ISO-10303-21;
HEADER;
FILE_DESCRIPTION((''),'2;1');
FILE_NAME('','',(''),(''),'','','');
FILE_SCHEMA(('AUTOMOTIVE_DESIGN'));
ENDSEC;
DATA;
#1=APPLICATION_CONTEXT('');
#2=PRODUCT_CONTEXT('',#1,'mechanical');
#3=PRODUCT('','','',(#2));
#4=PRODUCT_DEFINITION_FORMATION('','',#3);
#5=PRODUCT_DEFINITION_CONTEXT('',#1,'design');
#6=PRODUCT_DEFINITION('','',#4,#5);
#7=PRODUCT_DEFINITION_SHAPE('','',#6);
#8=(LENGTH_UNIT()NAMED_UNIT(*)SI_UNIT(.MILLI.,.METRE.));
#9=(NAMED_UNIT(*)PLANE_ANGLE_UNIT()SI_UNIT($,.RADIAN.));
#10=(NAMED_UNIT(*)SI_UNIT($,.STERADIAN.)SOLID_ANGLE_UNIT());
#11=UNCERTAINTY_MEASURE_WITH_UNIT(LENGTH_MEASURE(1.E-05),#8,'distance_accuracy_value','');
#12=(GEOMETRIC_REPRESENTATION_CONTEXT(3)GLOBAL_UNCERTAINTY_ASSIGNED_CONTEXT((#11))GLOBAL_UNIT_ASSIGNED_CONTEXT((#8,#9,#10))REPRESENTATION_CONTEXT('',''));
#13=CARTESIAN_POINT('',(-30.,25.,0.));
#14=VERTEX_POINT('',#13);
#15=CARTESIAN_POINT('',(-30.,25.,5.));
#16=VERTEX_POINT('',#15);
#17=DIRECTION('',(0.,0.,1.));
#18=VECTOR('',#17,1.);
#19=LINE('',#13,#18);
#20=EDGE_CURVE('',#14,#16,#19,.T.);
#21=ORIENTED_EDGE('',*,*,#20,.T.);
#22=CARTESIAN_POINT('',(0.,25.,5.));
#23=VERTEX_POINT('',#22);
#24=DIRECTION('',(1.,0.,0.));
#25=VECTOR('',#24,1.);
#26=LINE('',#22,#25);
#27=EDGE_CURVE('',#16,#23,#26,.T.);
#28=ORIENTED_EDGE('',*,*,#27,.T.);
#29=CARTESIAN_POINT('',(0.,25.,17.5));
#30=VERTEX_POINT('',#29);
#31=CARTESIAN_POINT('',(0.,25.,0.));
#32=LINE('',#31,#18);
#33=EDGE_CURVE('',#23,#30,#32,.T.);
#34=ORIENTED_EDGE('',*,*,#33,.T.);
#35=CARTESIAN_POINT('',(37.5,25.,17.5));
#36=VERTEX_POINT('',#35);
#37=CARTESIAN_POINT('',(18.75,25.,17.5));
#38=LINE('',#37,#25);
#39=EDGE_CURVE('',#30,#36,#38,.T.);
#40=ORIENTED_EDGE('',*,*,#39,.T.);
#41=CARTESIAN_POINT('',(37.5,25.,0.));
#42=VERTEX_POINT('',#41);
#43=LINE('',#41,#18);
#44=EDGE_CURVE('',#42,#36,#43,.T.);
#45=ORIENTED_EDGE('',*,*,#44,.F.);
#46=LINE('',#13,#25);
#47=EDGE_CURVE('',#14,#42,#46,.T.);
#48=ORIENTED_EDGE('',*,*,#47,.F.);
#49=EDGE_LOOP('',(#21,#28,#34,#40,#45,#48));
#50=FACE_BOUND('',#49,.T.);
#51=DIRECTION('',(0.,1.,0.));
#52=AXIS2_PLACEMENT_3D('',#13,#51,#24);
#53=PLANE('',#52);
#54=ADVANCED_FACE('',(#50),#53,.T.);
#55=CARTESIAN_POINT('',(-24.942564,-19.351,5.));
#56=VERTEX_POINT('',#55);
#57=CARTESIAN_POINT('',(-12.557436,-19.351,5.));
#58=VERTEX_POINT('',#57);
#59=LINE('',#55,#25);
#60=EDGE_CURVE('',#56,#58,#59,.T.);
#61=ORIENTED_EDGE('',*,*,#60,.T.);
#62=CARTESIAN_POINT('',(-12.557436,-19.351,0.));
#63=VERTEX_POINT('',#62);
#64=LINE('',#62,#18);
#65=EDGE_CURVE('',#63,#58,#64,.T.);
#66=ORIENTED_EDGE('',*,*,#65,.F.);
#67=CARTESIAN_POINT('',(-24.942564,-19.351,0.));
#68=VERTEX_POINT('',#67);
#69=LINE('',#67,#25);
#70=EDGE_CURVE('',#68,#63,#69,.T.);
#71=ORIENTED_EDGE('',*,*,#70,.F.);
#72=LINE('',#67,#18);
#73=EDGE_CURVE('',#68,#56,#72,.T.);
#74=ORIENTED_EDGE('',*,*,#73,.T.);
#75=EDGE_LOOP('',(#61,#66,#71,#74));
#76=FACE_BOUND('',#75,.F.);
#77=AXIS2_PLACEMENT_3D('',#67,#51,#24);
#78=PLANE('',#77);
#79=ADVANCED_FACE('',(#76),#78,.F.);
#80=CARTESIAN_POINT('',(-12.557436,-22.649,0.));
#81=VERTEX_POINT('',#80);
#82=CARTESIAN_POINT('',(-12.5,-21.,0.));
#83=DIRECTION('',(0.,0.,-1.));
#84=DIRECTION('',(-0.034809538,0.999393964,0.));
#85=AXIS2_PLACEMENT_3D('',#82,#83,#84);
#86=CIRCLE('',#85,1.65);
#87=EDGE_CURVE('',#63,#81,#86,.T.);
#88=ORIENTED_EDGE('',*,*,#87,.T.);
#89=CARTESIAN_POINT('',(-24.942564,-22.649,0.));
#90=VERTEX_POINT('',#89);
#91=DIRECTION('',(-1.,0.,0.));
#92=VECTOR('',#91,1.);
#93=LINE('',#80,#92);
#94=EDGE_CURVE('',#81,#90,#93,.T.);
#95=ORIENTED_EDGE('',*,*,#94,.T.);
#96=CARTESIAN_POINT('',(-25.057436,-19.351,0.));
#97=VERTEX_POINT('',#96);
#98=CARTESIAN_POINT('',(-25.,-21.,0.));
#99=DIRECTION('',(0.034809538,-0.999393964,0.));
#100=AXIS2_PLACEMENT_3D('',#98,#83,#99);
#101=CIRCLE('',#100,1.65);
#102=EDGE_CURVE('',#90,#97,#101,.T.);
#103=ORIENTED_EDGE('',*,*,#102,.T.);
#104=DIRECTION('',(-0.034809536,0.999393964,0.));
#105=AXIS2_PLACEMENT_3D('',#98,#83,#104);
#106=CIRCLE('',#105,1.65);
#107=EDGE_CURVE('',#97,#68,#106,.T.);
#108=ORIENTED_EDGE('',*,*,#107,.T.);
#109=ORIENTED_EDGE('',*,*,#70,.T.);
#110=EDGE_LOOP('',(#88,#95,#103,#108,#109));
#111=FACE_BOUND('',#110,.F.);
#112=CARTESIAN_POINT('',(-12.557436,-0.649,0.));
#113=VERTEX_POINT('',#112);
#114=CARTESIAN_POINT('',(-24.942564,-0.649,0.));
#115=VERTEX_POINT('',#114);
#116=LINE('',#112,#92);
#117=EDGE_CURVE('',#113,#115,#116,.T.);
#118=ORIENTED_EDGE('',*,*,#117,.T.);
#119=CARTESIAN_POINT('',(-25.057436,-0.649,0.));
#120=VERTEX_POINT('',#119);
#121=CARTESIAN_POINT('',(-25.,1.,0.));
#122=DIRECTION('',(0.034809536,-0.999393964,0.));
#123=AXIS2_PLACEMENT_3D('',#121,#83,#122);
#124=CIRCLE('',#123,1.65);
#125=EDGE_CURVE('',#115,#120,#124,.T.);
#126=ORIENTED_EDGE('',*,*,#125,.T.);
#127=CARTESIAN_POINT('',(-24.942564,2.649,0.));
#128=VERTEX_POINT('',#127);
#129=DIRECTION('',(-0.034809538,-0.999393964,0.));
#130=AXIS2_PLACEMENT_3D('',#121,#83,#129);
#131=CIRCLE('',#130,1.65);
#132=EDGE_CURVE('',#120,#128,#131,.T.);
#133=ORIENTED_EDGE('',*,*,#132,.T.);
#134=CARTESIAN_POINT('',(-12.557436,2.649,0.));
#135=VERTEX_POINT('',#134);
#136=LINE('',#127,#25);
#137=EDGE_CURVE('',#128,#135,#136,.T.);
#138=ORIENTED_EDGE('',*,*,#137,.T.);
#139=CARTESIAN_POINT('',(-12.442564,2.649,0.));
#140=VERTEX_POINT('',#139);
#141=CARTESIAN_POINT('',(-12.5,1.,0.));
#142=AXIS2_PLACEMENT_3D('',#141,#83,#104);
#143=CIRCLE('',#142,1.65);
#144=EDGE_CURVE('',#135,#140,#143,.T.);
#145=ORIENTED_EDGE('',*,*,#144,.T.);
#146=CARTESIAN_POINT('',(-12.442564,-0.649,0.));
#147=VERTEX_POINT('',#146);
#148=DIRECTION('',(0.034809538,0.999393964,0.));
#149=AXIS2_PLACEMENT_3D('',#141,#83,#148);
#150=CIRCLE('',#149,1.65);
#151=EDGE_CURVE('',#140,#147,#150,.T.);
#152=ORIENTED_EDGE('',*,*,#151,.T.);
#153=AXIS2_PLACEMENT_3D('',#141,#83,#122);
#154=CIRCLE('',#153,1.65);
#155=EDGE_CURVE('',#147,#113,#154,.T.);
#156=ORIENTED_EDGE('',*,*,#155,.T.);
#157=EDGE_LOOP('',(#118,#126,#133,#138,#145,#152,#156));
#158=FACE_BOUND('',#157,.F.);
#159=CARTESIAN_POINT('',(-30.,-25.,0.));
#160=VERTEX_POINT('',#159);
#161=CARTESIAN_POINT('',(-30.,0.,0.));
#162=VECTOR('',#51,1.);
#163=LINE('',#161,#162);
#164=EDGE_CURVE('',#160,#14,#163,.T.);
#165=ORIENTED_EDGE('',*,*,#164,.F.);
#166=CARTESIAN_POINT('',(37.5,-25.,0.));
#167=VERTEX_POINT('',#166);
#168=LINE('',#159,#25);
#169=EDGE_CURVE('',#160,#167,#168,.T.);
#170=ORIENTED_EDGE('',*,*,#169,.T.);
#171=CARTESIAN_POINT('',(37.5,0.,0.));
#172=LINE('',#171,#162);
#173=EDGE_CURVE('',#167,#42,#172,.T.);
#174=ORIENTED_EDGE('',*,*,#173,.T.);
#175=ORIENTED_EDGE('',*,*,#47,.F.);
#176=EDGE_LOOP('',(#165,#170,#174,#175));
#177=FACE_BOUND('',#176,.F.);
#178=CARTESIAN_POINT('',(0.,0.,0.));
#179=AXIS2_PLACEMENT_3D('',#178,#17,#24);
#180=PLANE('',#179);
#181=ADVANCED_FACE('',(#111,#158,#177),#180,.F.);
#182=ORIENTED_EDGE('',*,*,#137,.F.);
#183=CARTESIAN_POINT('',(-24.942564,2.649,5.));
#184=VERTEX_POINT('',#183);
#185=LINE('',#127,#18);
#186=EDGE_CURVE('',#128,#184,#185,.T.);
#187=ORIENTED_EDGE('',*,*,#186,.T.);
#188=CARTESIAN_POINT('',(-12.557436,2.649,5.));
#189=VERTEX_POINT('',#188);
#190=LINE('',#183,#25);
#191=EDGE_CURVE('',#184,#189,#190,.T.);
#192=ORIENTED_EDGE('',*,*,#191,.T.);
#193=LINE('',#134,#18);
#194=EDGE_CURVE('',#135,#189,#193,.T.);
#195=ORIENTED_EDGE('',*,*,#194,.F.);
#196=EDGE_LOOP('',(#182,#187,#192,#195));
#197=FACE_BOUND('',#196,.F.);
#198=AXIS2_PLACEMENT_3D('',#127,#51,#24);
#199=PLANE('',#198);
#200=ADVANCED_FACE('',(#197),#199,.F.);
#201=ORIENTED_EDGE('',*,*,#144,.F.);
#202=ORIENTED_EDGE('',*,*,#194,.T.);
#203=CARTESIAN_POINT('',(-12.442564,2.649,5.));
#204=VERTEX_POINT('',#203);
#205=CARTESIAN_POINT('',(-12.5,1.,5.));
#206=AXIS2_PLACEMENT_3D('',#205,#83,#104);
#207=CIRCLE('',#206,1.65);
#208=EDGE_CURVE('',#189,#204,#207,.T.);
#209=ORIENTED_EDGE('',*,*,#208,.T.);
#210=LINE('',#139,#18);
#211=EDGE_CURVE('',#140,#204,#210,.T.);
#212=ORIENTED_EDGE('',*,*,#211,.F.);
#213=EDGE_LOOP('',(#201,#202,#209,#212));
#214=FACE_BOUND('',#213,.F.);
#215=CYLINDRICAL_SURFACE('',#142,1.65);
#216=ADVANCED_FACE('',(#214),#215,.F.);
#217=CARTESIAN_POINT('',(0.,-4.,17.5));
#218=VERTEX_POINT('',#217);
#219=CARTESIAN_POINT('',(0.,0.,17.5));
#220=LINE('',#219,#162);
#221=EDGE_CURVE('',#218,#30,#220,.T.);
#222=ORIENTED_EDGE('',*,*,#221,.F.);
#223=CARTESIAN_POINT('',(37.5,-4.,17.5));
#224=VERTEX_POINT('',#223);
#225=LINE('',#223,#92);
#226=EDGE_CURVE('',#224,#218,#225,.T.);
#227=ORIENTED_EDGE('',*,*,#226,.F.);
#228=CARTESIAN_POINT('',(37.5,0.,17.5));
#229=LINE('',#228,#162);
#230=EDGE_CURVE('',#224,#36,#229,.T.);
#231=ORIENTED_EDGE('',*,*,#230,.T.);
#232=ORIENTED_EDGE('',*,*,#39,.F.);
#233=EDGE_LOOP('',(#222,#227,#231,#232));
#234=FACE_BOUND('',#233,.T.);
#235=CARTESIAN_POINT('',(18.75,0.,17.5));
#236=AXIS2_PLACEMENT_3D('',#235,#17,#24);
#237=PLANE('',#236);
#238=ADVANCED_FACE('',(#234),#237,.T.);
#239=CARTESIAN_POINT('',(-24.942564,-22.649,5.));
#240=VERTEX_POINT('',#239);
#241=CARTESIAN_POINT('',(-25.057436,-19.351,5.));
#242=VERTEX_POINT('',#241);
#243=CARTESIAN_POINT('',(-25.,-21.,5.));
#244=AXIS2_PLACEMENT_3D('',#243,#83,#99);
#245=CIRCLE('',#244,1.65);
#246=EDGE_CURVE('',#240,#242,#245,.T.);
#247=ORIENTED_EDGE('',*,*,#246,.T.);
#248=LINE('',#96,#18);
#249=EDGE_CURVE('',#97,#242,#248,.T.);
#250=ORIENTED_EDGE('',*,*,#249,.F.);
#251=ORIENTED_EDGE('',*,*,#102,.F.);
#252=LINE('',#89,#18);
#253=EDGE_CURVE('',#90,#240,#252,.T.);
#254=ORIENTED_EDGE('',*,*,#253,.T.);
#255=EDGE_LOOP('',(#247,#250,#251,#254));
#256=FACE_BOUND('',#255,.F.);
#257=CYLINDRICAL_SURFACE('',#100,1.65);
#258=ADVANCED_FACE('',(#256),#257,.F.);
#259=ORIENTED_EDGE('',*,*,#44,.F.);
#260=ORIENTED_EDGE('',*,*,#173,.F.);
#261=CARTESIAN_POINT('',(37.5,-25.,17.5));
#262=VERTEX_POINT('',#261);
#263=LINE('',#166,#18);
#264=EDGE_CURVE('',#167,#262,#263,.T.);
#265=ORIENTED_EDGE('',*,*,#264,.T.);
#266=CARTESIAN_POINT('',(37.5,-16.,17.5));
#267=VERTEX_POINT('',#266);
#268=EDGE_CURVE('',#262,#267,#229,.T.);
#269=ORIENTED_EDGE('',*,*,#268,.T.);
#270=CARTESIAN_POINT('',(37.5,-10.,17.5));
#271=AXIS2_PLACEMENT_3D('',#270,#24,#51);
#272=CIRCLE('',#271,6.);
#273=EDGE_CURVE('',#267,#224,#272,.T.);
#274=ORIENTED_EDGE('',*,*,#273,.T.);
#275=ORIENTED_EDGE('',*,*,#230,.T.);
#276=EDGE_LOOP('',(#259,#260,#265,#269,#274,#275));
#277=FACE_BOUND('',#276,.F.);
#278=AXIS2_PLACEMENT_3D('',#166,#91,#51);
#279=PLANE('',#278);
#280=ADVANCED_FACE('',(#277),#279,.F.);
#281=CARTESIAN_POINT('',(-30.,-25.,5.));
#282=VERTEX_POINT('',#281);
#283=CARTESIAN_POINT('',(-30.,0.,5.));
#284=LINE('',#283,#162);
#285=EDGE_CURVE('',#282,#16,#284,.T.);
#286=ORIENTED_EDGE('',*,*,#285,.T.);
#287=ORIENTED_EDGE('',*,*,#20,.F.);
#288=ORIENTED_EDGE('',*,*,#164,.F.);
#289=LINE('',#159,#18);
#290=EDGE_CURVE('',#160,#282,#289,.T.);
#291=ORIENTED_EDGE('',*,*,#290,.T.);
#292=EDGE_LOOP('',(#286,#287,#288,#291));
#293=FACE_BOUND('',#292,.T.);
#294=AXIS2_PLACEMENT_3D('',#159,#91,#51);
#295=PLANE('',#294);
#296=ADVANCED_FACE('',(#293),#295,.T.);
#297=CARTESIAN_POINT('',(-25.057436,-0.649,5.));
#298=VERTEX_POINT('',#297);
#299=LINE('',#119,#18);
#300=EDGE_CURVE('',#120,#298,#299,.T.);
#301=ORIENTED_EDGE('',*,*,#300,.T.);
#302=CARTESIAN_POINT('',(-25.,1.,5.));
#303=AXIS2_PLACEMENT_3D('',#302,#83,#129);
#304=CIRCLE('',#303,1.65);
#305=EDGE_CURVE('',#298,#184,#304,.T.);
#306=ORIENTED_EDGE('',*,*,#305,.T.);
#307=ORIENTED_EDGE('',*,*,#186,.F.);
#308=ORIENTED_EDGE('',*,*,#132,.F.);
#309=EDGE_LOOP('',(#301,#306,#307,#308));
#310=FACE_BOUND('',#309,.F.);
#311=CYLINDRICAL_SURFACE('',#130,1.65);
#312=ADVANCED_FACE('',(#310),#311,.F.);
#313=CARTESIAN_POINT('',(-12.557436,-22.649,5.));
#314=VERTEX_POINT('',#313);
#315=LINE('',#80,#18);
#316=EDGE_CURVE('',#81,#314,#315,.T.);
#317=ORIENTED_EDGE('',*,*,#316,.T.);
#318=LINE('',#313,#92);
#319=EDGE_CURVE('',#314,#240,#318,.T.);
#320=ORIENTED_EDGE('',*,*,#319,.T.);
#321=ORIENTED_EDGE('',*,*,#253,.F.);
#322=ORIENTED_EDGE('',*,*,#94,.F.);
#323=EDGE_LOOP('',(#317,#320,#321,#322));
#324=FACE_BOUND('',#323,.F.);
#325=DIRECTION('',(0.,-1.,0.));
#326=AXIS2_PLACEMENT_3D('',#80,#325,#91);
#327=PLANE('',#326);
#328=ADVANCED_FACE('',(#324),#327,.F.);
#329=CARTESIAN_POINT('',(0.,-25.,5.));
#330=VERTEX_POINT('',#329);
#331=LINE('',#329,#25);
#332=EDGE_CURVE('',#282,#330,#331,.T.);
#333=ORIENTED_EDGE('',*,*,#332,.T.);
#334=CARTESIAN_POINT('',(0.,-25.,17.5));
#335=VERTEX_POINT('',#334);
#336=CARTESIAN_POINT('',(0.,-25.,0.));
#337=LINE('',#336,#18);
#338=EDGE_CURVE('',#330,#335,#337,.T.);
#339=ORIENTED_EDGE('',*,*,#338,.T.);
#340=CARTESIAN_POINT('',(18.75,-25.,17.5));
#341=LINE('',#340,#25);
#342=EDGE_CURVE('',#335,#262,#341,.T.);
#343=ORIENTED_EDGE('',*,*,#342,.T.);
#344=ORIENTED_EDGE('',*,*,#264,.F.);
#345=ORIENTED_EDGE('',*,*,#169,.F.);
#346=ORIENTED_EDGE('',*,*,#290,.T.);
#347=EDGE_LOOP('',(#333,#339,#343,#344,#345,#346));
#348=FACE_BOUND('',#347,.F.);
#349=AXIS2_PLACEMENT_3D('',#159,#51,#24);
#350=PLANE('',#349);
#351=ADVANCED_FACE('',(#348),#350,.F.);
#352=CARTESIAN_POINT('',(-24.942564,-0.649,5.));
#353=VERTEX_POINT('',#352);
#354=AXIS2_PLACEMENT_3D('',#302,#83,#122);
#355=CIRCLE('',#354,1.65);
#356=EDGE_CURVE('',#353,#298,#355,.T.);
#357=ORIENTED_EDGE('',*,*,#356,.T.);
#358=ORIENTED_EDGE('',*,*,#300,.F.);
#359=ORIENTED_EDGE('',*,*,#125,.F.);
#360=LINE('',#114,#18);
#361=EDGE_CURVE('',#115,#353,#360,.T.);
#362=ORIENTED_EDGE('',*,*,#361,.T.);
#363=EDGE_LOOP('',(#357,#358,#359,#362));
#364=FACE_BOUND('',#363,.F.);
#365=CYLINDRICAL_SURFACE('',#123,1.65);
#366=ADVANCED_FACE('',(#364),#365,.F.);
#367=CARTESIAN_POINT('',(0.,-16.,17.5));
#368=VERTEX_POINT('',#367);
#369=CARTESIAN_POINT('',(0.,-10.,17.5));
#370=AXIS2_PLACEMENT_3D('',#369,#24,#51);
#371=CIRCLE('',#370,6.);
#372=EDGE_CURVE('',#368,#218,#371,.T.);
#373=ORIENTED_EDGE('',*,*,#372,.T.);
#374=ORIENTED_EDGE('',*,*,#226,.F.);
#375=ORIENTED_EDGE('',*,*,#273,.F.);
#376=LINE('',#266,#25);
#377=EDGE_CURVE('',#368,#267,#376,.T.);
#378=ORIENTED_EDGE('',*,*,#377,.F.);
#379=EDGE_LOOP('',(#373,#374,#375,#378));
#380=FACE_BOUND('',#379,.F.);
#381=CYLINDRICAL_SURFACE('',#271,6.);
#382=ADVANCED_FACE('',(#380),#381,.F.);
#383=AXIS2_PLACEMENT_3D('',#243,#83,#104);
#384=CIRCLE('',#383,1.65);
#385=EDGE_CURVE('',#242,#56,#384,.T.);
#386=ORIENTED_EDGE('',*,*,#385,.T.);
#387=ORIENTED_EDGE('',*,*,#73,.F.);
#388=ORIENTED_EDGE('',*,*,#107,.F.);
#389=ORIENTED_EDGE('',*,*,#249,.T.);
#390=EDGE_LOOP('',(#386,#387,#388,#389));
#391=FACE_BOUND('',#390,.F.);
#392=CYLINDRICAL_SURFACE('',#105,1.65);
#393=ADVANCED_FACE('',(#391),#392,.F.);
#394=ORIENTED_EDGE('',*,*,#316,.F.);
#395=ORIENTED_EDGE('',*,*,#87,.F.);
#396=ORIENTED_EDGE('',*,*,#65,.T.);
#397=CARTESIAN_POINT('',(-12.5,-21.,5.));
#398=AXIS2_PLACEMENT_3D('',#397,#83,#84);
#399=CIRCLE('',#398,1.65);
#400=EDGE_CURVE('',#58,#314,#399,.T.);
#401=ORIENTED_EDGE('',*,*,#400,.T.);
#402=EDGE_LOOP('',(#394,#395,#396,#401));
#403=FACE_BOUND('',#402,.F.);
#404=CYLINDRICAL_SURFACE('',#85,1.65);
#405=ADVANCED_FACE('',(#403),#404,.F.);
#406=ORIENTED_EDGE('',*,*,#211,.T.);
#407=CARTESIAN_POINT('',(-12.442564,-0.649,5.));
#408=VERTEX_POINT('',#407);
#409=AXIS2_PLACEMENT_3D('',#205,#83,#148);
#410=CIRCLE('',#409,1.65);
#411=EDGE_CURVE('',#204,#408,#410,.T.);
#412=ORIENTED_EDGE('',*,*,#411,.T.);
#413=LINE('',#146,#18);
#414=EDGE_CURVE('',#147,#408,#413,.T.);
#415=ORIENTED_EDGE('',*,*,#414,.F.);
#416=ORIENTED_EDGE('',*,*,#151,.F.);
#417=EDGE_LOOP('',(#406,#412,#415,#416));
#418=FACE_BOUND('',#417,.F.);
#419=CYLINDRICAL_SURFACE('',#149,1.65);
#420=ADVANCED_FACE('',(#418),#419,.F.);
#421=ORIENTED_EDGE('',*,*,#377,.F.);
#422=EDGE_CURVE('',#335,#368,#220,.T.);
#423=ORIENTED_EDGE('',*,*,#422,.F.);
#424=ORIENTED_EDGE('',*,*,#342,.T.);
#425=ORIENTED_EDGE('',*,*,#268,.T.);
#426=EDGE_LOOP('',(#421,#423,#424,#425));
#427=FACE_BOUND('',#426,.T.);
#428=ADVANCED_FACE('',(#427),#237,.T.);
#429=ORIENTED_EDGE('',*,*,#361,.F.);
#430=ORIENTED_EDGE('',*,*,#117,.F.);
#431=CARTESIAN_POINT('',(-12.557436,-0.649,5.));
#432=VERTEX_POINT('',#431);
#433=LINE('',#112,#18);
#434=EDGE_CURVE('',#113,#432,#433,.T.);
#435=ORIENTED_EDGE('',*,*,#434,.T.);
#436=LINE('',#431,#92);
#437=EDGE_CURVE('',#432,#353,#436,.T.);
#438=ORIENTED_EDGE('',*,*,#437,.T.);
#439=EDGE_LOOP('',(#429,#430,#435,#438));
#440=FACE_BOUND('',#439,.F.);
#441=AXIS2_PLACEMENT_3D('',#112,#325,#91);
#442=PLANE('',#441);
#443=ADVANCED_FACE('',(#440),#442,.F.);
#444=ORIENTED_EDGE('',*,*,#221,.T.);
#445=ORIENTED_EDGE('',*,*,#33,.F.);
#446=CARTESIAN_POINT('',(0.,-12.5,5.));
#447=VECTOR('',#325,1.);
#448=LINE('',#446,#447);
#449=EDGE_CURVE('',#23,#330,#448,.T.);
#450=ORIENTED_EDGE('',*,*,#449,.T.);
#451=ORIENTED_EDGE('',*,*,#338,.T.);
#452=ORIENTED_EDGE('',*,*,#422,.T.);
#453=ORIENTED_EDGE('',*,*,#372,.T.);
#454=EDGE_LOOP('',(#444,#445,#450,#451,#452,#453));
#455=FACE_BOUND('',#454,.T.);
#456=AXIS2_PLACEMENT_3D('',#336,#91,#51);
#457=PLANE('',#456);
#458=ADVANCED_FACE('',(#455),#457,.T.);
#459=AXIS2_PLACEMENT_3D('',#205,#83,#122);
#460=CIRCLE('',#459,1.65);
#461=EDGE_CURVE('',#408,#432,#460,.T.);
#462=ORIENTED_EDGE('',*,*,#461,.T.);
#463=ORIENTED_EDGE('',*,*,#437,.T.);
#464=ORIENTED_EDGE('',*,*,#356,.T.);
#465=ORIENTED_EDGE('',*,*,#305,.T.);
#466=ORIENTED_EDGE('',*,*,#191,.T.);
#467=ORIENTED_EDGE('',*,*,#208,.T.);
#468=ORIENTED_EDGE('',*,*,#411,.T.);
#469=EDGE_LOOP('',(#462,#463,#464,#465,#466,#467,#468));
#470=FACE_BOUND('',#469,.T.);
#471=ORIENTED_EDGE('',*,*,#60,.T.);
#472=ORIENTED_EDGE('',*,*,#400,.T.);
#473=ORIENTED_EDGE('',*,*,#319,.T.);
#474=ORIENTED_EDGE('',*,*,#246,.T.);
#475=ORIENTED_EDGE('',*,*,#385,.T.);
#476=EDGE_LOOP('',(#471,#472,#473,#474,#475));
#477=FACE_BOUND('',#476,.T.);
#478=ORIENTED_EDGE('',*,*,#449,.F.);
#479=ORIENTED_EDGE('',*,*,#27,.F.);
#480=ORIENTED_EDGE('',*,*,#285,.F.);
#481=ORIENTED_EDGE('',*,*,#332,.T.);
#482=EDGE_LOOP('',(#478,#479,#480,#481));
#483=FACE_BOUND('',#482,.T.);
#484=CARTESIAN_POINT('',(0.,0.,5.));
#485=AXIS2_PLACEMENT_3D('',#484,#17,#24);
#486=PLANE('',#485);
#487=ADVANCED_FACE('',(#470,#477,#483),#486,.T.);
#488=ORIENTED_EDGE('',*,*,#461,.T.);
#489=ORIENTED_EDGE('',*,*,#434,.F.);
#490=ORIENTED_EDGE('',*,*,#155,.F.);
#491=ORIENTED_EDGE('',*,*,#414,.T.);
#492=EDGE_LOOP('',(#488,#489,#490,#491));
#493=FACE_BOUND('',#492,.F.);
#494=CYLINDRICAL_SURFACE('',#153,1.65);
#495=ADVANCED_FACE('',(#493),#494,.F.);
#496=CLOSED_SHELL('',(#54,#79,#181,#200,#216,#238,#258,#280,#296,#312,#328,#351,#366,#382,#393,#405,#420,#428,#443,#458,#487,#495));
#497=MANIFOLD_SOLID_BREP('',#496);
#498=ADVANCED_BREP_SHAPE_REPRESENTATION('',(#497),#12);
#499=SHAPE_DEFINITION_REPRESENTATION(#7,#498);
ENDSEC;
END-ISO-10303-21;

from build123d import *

# Parameters (mm, degrees)
F0_W     = 60
F0_H     = 50
F1_DEPTH = 5
F2_W     = 37.5
F2_H     = 50
F3_DEPTH = 30
F4_R     = 6
F5_DEPTH = 37.5
F6_W     = 37.5
F6_H     = 50
F7_DEPTH = 12.5


with BuildPart() as f1:
    # F0 (on Top) → F1 (new body)
    with BuildSketch(Plane.XY):
        Rectangle(F0_W, F0_H)
        with BuildLine():
            Line((-22.5574357373, -19.3509999587), (-12.5574357373, -19.3509999587))
            ThreePointArc((-12.5574357373, -19.3509999587), (-10.85, -21), (-12.5574357373, -22.6490000413))
            Line((-12.5574357373, -22.6490000413), (-22.5574357373, -22.6490000413))
            Line((-22.5574357373, -22.6490000413), (-24.9425642627, -22.6490000413))
            ThreePointArc((-24.9425642627, -22.6490000413), (-26.6490000413, -21.0574357373), (-25.0574357373, -19.3509999587))
            ThreePointArc((-25.0574357373, -19.3509999587), (-25, -19.35), (-24.9425642627, -19.3509999587))
            Line((-24.9425642627, -19.3509999587), (-22.5574357373, -19.3509999587))
        make_face(mode=Mode.SUBTRACT)
        with BuildLine():
            ThreePointArc((-12.4425642627, -0.6490000413), (-12.5, -0.65), (-12.5574357373, -0.6490000413))
            Line((-12.5574357373, -0.6490000413), (-24.9425642627, -0.6490000413))
            ThreePointArc((-24.9425642627, -0.6490000413), (-25, -0.65), (-25.0574357373, -0.6490000413))
            ThreePointArc((-25.0574357373, -0.6490000413), (-26.6490000413, 1.0574357373), (-24.9425642627, 2.6490000413))
            Line((-24.9425642627, 2.6490000413), (-12.5574357373, 2.6490000413))
            ThreePointArc((-12.5574357373, 2.6490000413), (-12.5, 2.65), (-12.4425642627, 2.6490000413))
            ThreePointArc((-12.4425642627, 2.6490000413), (-10.85, 1), (-12.4425642627, -0.6490000413))
        make_face(mode=Mode.SUBTRACT)
    extrude(amount=F1_DEPTH)

    # F2 (on Top) → F3 (join)
    with BuildSketch(Plane.XY):
        with Locations((18.75, 0)):
            Rectangle(F2_W, F2_H)
    extrude(amount=F3_DEPTH)

    # F4 (on face) → F5 (cut, through all)
    with BuildSketch(Plane.YZ.offset(37.5)):
        with Locations((-10, 17.5)):
            Circle(F4_R)
    extrude(amount=-F5_DEPTH, mode=Mode.SUBTRACT)

    # F6 (on face) → F7 (cut)
    with BuildSketch(Plane.XY.offset(30)):
        with Locations((18.75, 0)):
            Rectangle(F6_W, F6_H)
    extrude(amount=-F7_DEPTH, mode=Mode.SUBTRACT)


solid = f1.part
